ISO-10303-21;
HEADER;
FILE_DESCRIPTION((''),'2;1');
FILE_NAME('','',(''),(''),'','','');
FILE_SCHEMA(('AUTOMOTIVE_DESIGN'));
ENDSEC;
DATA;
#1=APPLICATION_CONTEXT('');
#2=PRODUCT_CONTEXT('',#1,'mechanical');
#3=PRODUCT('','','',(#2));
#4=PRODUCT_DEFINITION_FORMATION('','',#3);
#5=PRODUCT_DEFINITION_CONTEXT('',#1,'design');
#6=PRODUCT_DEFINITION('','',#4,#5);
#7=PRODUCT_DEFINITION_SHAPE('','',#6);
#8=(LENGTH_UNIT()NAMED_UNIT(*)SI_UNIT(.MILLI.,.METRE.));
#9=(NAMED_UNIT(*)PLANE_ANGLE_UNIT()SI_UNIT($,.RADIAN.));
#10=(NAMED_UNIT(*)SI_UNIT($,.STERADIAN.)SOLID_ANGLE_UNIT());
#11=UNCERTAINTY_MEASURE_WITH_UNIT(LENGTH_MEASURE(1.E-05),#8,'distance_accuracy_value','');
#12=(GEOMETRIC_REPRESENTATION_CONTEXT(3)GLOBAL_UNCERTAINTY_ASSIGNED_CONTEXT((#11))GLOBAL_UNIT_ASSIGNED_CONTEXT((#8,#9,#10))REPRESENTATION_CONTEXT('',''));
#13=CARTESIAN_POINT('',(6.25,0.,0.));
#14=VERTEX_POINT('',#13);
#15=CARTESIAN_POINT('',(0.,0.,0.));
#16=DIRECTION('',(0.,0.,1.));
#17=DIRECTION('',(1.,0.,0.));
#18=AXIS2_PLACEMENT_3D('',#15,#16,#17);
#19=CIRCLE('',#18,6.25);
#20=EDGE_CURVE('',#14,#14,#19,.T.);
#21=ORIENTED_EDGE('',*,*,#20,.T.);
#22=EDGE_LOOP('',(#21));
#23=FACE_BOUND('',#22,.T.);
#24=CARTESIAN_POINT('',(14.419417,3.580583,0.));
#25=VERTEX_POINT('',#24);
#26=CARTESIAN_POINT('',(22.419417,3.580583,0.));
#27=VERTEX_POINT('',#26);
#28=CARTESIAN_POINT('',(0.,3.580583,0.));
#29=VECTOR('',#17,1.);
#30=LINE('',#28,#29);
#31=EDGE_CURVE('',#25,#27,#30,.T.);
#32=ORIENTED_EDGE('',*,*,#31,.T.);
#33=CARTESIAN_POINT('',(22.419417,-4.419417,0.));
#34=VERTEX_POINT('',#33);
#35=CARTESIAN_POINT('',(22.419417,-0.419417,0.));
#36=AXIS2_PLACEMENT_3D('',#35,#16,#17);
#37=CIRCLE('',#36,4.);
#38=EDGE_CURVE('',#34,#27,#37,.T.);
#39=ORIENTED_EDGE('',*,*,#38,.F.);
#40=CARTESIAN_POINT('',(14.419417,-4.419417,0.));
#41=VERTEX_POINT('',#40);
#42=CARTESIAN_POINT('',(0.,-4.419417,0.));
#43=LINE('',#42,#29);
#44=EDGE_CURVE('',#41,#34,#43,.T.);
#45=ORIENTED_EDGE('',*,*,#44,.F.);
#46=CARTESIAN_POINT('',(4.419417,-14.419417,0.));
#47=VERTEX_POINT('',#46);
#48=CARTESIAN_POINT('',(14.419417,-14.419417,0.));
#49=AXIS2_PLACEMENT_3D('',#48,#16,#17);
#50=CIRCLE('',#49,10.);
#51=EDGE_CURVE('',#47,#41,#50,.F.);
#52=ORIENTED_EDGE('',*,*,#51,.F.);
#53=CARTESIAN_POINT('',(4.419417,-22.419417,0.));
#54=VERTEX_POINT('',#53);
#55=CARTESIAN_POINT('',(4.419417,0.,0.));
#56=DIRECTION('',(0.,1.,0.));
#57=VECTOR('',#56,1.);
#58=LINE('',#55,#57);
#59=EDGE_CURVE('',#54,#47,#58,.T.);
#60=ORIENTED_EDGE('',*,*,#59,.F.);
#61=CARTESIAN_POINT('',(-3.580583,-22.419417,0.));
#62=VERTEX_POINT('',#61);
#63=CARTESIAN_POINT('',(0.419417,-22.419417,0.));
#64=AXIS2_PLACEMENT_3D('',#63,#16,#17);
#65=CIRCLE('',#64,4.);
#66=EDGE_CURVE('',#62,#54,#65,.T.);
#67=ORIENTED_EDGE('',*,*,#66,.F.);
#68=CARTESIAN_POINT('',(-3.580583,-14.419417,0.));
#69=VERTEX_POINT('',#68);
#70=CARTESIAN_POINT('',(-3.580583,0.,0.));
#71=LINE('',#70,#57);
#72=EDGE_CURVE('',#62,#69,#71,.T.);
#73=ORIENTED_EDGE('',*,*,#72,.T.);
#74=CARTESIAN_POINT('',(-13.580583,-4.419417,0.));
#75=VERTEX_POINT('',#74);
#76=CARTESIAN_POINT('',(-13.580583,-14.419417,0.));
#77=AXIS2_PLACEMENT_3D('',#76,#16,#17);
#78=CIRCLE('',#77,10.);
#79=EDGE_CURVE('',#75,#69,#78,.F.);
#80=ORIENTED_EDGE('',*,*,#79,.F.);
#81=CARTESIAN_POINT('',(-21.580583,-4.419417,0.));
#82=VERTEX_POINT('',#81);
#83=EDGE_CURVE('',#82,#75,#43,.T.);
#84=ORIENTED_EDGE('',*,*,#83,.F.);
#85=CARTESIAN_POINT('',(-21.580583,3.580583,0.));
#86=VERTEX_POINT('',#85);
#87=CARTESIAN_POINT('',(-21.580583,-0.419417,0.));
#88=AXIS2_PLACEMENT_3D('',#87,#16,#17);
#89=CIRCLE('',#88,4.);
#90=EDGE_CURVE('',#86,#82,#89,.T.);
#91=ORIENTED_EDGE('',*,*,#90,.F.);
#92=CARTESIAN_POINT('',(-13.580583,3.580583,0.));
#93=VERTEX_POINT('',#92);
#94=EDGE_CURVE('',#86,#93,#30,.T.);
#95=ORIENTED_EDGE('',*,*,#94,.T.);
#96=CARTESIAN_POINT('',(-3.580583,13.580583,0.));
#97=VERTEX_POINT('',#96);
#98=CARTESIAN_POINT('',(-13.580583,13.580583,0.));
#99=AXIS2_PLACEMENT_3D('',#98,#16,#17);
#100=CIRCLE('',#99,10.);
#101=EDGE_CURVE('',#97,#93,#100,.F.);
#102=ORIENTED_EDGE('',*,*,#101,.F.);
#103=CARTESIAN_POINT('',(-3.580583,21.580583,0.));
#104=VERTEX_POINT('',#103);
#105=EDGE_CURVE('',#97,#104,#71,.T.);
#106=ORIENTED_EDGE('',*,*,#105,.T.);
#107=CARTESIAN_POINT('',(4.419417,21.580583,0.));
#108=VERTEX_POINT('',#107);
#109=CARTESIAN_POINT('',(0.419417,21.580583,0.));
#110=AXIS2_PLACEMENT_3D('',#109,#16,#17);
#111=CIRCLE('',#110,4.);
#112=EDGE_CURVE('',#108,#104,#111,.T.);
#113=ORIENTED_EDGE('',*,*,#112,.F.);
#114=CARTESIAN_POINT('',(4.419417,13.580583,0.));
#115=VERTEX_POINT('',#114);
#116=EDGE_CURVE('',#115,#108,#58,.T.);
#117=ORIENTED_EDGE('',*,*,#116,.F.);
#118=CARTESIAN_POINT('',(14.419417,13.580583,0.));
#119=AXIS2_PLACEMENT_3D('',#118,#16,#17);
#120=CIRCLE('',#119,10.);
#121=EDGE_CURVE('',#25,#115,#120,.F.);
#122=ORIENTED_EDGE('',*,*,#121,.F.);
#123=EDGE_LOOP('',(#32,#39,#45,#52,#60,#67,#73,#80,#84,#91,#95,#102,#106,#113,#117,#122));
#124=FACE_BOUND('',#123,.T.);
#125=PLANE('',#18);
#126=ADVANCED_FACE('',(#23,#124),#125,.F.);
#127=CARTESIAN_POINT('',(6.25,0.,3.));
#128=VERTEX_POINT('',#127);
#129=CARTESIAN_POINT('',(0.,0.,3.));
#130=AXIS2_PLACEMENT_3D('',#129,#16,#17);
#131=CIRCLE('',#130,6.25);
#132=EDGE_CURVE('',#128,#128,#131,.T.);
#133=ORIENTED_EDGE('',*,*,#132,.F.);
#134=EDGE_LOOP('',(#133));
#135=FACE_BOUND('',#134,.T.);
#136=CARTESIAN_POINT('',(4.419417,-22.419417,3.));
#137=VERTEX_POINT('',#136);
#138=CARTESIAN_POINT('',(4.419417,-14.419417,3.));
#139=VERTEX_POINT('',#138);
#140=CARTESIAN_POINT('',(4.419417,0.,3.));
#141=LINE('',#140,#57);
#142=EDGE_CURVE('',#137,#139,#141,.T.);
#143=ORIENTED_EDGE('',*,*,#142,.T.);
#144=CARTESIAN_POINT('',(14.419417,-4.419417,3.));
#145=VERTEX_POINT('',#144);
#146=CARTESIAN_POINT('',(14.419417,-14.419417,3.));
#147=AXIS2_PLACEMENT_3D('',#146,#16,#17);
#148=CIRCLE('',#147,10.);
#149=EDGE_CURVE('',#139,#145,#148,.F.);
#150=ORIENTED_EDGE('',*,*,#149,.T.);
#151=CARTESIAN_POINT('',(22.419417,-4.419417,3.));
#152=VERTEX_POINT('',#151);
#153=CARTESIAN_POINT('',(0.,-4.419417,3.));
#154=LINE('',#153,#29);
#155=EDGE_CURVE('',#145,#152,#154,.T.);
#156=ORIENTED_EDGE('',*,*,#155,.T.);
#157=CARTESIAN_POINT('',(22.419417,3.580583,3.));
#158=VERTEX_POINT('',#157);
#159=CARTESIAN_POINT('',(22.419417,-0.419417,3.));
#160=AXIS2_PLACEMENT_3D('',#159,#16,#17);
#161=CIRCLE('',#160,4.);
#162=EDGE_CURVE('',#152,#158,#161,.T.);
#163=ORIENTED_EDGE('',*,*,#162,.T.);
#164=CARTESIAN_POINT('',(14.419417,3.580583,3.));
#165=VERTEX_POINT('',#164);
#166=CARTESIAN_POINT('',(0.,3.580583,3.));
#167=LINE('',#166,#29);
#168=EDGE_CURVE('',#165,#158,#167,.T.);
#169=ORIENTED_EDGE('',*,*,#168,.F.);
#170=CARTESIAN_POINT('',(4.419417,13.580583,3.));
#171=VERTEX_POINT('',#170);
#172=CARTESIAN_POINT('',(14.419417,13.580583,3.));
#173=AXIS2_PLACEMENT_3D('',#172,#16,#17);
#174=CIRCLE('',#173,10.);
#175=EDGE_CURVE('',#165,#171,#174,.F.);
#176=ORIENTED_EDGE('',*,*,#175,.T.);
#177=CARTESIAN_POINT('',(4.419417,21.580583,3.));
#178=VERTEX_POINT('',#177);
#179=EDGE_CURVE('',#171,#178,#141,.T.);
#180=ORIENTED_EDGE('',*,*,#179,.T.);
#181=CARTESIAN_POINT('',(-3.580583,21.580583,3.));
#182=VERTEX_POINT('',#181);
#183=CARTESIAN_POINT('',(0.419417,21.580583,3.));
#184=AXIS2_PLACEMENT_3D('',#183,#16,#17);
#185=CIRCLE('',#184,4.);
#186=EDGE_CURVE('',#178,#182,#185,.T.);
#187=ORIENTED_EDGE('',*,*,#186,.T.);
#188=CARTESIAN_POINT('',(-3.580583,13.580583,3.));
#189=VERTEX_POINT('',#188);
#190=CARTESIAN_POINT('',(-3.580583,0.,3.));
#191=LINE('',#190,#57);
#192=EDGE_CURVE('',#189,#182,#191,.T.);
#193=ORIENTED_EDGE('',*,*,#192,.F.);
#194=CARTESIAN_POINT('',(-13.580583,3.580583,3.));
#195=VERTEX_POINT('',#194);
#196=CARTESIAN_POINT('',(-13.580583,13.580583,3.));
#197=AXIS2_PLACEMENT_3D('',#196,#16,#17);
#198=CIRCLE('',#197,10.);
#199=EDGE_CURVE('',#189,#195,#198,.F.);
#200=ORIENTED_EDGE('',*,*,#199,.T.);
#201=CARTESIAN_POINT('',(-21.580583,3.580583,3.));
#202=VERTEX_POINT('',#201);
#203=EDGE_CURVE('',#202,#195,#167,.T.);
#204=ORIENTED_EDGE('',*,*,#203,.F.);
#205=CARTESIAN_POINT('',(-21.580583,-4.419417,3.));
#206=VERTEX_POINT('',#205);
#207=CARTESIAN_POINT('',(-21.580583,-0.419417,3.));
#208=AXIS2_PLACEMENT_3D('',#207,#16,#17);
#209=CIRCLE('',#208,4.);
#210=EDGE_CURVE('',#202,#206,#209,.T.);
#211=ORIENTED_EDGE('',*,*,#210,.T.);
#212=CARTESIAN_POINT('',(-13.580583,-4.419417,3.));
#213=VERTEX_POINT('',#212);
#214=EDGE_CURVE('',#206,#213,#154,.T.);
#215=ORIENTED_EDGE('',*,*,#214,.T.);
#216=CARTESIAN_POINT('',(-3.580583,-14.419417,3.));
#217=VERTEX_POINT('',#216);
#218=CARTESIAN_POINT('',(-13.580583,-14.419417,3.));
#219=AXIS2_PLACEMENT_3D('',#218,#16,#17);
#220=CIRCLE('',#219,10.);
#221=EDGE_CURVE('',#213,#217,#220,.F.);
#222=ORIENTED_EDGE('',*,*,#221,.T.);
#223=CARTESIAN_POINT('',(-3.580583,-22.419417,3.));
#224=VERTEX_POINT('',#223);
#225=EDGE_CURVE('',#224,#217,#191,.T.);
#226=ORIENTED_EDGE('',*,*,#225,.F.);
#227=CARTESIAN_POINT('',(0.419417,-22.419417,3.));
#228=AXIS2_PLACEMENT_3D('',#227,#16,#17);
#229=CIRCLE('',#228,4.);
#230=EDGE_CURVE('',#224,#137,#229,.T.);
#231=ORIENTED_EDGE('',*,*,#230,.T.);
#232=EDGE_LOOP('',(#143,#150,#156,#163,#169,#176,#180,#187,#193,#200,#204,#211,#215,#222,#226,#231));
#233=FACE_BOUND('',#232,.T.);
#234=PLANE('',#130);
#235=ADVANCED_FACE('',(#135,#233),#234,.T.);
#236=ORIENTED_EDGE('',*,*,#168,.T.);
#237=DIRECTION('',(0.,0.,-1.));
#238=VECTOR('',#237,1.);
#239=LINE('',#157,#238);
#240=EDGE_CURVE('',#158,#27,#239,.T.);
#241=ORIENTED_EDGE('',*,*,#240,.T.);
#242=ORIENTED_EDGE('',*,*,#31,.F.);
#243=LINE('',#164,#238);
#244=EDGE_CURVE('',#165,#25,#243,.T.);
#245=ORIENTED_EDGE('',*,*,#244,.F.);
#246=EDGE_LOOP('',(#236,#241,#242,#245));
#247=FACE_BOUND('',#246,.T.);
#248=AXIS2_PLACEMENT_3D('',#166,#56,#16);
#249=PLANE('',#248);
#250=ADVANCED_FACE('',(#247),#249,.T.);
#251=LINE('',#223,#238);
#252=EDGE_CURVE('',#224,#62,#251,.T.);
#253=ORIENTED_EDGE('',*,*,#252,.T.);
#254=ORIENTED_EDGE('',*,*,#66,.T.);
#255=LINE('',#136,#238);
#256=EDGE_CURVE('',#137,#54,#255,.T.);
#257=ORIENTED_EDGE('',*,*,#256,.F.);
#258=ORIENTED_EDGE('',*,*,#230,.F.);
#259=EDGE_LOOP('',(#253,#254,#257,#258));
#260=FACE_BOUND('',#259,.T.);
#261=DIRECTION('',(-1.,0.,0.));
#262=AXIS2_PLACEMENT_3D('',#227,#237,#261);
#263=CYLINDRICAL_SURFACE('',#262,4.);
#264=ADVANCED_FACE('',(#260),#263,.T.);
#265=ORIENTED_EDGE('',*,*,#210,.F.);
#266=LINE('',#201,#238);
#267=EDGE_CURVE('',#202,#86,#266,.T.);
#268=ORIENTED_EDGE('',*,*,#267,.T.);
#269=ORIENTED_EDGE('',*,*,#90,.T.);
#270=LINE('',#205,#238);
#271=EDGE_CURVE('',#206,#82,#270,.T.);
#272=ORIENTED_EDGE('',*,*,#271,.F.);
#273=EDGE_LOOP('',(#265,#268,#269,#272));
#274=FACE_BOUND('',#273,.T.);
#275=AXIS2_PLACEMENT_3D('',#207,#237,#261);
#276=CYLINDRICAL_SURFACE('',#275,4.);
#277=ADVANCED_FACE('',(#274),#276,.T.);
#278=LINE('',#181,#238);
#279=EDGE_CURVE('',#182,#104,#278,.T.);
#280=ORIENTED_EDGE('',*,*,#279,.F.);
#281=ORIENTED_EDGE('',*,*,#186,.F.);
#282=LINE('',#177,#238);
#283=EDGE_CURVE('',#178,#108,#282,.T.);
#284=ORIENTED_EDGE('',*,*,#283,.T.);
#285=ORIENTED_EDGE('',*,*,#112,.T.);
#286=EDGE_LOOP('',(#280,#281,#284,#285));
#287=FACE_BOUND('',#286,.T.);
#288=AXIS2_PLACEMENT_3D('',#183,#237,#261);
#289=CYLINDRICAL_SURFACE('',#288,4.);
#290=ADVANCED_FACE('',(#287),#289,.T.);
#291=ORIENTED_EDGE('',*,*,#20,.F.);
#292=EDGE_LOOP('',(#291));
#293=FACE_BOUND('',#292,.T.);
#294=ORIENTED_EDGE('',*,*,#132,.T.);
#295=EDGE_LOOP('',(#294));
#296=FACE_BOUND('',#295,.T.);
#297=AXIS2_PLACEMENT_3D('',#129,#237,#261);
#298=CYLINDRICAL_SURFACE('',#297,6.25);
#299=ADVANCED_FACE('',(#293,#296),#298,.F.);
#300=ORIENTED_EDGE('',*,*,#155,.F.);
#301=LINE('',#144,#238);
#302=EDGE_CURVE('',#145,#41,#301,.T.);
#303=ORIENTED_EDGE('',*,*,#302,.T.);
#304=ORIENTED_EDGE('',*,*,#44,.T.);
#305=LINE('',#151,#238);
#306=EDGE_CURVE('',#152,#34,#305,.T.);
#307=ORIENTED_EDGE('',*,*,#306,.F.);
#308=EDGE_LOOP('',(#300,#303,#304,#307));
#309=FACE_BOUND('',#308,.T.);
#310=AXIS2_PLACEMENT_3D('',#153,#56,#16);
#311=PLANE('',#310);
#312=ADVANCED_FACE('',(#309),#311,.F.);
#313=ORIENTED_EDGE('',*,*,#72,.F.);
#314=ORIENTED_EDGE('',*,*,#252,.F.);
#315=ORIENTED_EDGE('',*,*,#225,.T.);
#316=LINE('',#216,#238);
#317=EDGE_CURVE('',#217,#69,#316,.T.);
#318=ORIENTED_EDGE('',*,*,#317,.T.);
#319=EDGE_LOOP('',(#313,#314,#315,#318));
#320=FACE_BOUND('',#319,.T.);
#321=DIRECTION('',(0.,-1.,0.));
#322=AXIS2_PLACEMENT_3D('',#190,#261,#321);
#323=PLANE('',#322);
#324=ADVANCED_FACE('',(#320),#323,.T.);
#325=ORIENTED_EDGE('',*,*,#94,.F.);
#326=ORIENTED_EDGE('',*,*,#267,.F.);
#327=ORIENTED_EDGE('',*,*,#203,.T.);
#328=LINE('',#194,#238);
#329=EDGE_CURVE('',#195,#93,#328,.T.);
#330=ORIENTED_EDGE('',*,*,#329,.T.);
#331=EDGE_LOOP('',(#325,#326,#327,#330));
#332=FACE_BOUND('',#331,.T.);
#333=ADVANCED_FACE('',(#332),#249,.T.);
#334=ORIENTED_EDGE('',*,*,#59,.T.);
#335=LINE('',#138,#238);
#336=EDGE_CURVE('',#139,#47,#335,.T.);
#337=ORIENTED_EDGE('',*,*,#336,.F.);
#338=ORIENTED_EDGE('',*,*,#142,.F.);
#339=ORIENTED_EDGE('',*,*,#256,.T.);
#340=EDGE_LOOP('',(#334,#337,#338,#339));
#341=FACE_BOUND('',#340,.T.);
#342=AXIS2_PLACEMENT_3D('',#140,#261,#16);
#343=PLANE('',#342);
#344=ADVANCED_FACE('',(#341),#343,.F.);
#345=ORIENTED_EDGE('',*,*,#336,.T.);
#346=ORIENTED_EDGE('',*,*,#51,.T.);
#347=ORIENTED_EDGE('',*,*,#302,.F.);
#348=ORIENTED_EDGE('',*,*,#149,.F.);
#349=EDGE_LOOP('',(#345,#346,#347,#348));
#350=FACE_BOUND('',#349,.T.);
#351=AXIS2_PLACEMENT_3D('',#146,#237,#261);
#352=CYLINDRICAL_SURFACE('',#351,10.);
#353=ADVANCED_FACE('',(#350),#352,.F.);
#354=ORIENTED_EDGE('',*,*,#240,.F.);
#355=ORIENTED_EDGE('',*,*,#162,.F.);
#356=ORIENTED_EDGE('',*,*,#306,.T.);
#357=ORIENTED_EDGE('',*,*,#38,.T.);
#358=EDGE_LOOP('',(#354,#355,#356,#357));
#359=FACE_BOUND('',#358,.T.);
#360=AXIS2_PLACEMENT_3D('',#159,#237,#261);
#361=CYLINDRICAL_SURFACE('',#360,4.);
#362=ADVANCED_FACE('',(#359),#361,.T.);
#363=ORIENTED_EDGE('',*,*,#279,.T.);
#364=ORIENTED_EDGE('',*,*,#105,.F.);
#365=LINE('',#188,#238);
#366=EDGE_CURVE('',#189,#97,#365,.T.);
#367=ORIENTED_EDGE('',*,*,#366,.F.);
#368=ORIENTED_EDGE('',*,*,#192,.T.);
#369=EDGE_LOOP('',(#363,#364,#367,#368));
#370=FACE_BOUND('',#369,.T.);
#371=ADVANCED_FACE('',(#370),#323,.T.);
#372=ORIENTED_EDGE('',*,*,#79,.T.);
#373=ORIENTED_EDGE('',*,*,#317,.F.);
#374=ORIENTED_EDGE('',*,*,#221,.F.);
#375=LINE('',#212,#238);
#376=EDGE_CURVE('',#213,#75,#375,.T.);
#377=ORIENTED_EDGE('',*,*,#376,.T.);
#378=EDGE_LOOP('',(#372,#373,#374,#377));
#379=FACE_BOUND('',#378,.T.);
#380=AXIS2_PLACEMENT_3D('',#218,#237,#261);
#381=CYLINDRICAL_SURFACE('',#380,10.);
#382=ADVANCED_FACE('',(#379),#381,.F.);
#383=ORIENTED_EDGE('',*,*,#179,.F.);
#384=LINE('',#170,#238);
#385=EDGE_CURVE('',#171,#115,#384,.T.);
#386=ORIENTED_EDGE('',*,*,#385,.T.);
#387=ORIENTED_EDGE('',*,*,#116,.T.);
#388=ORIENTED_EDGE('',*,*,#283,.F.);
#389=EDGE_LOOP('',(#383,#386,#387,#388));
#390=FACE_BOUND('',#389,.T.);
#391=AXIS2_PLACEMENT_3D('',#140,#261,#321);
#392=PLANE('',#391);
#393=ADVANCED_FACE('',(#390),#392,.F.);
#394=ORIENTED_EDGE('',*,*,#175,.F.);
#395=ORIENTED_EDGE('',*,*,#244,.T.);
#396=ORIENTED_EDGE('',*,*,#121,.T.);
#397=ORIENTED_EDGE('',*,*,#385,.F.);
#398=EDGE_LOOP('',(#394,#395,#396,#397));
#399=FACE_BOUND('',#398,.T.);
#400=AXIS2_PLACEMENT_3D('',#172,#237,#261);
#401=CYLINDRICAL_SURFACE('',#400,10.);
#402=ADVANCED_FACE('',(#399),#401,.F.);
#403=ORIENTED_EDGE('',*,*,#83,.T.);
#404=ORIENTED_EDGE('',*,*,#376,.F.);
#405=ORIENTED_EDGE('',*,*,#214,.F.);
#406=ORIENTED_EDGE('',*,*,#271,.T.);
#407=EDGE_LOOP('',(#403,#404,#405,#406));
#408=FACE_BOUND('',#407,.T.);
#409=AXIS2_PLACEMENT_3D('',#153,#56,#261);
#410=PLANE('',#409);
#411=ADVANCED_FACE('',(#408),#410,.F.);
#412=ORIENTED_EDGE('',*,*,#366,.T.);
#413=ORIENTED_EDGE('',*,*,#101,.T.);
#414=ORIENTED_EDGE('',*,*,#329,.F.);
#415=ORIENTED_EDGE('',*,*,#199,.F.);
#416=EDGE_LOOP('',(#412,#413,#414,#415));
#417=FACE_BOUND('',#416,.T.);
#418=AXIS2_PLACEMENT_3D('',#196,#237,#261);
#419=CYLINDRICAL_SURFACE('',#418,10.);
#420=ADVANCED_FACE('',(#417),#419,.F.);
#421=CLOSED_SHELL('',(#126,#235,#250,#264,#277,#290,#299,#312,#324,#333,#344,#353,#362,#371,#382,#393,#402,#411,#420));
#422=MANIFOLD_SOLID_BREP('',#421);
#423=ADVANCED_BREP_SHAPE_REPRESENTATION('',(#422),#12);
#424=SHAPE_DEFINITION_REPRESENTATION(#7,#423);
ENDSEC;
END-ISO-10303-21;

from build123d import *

# Parameters (mm, degrees)
SKETCH1_R           = 6.25
BOSS_EXTRUDE1_DEPTH = 3


with BuildPart() as part:
    # Sketch1 → Boss-Extrude1 (new body)
    with BuildSketch(Plane.XY):
        with BuildLine():
            Line((-3.580582618, -22.419417382), (-3.580582618, -14.419417382))
            ThreePointArc((-3.580582618, -14.419417382), (-6.509514806, -7.348349571), (-13.580582618, -4.419417382))
            Line((-13.580582618, -4.419417382), (-21.580582618, -4.419417382))
            ThreePointArc((-21.580582618, -4.419417382), (-25.580582618, -0.419417382), (-21.580582618, 3.580582618))
            Line((-21.580582618, 3.580582618), (-13.580582618, 3.580582618))
            ThreePointArc((-13.580582618, 3.580582618), (-6.509514806, 6.509514806), (-3.580582618, 13.580582618))
            Line((-3.580582618, 13.580582618), (-3.580582618, 21.580582618))
            ThreePointArc((-3.580582618, 21.580582618), (0.419417382, 25.580582618), (4.419417382, 21.580582618))
            Line((4.419417382, 21.580582618), (4.419417382, 13.580582618))
            ThreePointArc((4.419417382, 13.580582618), (7.348349571, 6.509514806), (14.419417382, 3.580582618))
            Line((14.419417382, 3.580582618), (22.419417382, 3.580582618))
            ThreePointArc((22.419417382, 3.580582618), (26.419417382, -0.419417382), (22.419417382, -4.419417382))
            Line((22.419417382, -4.419417382), (14.419417382, -4.419417382))
            ThreePointArc((14.419417382, -4.419417382), (7.348349571, -7.348349571), (4.419417382, -14.419417382))
            Line((4.419417382, -14.419417382), (4.419417382, -22.419417382))
            ThreePointArc((4.419417382, -22.419417382), (0.419417382, -26.419417382), (-3.580582618, -22.419417382))
        make_face()
        Circle(SKETCH1_R, mode=Mode.SUBTRACT)
    extrude(amount=BOSS_EXTRUDE1_DEPTH)


solid = part.part
